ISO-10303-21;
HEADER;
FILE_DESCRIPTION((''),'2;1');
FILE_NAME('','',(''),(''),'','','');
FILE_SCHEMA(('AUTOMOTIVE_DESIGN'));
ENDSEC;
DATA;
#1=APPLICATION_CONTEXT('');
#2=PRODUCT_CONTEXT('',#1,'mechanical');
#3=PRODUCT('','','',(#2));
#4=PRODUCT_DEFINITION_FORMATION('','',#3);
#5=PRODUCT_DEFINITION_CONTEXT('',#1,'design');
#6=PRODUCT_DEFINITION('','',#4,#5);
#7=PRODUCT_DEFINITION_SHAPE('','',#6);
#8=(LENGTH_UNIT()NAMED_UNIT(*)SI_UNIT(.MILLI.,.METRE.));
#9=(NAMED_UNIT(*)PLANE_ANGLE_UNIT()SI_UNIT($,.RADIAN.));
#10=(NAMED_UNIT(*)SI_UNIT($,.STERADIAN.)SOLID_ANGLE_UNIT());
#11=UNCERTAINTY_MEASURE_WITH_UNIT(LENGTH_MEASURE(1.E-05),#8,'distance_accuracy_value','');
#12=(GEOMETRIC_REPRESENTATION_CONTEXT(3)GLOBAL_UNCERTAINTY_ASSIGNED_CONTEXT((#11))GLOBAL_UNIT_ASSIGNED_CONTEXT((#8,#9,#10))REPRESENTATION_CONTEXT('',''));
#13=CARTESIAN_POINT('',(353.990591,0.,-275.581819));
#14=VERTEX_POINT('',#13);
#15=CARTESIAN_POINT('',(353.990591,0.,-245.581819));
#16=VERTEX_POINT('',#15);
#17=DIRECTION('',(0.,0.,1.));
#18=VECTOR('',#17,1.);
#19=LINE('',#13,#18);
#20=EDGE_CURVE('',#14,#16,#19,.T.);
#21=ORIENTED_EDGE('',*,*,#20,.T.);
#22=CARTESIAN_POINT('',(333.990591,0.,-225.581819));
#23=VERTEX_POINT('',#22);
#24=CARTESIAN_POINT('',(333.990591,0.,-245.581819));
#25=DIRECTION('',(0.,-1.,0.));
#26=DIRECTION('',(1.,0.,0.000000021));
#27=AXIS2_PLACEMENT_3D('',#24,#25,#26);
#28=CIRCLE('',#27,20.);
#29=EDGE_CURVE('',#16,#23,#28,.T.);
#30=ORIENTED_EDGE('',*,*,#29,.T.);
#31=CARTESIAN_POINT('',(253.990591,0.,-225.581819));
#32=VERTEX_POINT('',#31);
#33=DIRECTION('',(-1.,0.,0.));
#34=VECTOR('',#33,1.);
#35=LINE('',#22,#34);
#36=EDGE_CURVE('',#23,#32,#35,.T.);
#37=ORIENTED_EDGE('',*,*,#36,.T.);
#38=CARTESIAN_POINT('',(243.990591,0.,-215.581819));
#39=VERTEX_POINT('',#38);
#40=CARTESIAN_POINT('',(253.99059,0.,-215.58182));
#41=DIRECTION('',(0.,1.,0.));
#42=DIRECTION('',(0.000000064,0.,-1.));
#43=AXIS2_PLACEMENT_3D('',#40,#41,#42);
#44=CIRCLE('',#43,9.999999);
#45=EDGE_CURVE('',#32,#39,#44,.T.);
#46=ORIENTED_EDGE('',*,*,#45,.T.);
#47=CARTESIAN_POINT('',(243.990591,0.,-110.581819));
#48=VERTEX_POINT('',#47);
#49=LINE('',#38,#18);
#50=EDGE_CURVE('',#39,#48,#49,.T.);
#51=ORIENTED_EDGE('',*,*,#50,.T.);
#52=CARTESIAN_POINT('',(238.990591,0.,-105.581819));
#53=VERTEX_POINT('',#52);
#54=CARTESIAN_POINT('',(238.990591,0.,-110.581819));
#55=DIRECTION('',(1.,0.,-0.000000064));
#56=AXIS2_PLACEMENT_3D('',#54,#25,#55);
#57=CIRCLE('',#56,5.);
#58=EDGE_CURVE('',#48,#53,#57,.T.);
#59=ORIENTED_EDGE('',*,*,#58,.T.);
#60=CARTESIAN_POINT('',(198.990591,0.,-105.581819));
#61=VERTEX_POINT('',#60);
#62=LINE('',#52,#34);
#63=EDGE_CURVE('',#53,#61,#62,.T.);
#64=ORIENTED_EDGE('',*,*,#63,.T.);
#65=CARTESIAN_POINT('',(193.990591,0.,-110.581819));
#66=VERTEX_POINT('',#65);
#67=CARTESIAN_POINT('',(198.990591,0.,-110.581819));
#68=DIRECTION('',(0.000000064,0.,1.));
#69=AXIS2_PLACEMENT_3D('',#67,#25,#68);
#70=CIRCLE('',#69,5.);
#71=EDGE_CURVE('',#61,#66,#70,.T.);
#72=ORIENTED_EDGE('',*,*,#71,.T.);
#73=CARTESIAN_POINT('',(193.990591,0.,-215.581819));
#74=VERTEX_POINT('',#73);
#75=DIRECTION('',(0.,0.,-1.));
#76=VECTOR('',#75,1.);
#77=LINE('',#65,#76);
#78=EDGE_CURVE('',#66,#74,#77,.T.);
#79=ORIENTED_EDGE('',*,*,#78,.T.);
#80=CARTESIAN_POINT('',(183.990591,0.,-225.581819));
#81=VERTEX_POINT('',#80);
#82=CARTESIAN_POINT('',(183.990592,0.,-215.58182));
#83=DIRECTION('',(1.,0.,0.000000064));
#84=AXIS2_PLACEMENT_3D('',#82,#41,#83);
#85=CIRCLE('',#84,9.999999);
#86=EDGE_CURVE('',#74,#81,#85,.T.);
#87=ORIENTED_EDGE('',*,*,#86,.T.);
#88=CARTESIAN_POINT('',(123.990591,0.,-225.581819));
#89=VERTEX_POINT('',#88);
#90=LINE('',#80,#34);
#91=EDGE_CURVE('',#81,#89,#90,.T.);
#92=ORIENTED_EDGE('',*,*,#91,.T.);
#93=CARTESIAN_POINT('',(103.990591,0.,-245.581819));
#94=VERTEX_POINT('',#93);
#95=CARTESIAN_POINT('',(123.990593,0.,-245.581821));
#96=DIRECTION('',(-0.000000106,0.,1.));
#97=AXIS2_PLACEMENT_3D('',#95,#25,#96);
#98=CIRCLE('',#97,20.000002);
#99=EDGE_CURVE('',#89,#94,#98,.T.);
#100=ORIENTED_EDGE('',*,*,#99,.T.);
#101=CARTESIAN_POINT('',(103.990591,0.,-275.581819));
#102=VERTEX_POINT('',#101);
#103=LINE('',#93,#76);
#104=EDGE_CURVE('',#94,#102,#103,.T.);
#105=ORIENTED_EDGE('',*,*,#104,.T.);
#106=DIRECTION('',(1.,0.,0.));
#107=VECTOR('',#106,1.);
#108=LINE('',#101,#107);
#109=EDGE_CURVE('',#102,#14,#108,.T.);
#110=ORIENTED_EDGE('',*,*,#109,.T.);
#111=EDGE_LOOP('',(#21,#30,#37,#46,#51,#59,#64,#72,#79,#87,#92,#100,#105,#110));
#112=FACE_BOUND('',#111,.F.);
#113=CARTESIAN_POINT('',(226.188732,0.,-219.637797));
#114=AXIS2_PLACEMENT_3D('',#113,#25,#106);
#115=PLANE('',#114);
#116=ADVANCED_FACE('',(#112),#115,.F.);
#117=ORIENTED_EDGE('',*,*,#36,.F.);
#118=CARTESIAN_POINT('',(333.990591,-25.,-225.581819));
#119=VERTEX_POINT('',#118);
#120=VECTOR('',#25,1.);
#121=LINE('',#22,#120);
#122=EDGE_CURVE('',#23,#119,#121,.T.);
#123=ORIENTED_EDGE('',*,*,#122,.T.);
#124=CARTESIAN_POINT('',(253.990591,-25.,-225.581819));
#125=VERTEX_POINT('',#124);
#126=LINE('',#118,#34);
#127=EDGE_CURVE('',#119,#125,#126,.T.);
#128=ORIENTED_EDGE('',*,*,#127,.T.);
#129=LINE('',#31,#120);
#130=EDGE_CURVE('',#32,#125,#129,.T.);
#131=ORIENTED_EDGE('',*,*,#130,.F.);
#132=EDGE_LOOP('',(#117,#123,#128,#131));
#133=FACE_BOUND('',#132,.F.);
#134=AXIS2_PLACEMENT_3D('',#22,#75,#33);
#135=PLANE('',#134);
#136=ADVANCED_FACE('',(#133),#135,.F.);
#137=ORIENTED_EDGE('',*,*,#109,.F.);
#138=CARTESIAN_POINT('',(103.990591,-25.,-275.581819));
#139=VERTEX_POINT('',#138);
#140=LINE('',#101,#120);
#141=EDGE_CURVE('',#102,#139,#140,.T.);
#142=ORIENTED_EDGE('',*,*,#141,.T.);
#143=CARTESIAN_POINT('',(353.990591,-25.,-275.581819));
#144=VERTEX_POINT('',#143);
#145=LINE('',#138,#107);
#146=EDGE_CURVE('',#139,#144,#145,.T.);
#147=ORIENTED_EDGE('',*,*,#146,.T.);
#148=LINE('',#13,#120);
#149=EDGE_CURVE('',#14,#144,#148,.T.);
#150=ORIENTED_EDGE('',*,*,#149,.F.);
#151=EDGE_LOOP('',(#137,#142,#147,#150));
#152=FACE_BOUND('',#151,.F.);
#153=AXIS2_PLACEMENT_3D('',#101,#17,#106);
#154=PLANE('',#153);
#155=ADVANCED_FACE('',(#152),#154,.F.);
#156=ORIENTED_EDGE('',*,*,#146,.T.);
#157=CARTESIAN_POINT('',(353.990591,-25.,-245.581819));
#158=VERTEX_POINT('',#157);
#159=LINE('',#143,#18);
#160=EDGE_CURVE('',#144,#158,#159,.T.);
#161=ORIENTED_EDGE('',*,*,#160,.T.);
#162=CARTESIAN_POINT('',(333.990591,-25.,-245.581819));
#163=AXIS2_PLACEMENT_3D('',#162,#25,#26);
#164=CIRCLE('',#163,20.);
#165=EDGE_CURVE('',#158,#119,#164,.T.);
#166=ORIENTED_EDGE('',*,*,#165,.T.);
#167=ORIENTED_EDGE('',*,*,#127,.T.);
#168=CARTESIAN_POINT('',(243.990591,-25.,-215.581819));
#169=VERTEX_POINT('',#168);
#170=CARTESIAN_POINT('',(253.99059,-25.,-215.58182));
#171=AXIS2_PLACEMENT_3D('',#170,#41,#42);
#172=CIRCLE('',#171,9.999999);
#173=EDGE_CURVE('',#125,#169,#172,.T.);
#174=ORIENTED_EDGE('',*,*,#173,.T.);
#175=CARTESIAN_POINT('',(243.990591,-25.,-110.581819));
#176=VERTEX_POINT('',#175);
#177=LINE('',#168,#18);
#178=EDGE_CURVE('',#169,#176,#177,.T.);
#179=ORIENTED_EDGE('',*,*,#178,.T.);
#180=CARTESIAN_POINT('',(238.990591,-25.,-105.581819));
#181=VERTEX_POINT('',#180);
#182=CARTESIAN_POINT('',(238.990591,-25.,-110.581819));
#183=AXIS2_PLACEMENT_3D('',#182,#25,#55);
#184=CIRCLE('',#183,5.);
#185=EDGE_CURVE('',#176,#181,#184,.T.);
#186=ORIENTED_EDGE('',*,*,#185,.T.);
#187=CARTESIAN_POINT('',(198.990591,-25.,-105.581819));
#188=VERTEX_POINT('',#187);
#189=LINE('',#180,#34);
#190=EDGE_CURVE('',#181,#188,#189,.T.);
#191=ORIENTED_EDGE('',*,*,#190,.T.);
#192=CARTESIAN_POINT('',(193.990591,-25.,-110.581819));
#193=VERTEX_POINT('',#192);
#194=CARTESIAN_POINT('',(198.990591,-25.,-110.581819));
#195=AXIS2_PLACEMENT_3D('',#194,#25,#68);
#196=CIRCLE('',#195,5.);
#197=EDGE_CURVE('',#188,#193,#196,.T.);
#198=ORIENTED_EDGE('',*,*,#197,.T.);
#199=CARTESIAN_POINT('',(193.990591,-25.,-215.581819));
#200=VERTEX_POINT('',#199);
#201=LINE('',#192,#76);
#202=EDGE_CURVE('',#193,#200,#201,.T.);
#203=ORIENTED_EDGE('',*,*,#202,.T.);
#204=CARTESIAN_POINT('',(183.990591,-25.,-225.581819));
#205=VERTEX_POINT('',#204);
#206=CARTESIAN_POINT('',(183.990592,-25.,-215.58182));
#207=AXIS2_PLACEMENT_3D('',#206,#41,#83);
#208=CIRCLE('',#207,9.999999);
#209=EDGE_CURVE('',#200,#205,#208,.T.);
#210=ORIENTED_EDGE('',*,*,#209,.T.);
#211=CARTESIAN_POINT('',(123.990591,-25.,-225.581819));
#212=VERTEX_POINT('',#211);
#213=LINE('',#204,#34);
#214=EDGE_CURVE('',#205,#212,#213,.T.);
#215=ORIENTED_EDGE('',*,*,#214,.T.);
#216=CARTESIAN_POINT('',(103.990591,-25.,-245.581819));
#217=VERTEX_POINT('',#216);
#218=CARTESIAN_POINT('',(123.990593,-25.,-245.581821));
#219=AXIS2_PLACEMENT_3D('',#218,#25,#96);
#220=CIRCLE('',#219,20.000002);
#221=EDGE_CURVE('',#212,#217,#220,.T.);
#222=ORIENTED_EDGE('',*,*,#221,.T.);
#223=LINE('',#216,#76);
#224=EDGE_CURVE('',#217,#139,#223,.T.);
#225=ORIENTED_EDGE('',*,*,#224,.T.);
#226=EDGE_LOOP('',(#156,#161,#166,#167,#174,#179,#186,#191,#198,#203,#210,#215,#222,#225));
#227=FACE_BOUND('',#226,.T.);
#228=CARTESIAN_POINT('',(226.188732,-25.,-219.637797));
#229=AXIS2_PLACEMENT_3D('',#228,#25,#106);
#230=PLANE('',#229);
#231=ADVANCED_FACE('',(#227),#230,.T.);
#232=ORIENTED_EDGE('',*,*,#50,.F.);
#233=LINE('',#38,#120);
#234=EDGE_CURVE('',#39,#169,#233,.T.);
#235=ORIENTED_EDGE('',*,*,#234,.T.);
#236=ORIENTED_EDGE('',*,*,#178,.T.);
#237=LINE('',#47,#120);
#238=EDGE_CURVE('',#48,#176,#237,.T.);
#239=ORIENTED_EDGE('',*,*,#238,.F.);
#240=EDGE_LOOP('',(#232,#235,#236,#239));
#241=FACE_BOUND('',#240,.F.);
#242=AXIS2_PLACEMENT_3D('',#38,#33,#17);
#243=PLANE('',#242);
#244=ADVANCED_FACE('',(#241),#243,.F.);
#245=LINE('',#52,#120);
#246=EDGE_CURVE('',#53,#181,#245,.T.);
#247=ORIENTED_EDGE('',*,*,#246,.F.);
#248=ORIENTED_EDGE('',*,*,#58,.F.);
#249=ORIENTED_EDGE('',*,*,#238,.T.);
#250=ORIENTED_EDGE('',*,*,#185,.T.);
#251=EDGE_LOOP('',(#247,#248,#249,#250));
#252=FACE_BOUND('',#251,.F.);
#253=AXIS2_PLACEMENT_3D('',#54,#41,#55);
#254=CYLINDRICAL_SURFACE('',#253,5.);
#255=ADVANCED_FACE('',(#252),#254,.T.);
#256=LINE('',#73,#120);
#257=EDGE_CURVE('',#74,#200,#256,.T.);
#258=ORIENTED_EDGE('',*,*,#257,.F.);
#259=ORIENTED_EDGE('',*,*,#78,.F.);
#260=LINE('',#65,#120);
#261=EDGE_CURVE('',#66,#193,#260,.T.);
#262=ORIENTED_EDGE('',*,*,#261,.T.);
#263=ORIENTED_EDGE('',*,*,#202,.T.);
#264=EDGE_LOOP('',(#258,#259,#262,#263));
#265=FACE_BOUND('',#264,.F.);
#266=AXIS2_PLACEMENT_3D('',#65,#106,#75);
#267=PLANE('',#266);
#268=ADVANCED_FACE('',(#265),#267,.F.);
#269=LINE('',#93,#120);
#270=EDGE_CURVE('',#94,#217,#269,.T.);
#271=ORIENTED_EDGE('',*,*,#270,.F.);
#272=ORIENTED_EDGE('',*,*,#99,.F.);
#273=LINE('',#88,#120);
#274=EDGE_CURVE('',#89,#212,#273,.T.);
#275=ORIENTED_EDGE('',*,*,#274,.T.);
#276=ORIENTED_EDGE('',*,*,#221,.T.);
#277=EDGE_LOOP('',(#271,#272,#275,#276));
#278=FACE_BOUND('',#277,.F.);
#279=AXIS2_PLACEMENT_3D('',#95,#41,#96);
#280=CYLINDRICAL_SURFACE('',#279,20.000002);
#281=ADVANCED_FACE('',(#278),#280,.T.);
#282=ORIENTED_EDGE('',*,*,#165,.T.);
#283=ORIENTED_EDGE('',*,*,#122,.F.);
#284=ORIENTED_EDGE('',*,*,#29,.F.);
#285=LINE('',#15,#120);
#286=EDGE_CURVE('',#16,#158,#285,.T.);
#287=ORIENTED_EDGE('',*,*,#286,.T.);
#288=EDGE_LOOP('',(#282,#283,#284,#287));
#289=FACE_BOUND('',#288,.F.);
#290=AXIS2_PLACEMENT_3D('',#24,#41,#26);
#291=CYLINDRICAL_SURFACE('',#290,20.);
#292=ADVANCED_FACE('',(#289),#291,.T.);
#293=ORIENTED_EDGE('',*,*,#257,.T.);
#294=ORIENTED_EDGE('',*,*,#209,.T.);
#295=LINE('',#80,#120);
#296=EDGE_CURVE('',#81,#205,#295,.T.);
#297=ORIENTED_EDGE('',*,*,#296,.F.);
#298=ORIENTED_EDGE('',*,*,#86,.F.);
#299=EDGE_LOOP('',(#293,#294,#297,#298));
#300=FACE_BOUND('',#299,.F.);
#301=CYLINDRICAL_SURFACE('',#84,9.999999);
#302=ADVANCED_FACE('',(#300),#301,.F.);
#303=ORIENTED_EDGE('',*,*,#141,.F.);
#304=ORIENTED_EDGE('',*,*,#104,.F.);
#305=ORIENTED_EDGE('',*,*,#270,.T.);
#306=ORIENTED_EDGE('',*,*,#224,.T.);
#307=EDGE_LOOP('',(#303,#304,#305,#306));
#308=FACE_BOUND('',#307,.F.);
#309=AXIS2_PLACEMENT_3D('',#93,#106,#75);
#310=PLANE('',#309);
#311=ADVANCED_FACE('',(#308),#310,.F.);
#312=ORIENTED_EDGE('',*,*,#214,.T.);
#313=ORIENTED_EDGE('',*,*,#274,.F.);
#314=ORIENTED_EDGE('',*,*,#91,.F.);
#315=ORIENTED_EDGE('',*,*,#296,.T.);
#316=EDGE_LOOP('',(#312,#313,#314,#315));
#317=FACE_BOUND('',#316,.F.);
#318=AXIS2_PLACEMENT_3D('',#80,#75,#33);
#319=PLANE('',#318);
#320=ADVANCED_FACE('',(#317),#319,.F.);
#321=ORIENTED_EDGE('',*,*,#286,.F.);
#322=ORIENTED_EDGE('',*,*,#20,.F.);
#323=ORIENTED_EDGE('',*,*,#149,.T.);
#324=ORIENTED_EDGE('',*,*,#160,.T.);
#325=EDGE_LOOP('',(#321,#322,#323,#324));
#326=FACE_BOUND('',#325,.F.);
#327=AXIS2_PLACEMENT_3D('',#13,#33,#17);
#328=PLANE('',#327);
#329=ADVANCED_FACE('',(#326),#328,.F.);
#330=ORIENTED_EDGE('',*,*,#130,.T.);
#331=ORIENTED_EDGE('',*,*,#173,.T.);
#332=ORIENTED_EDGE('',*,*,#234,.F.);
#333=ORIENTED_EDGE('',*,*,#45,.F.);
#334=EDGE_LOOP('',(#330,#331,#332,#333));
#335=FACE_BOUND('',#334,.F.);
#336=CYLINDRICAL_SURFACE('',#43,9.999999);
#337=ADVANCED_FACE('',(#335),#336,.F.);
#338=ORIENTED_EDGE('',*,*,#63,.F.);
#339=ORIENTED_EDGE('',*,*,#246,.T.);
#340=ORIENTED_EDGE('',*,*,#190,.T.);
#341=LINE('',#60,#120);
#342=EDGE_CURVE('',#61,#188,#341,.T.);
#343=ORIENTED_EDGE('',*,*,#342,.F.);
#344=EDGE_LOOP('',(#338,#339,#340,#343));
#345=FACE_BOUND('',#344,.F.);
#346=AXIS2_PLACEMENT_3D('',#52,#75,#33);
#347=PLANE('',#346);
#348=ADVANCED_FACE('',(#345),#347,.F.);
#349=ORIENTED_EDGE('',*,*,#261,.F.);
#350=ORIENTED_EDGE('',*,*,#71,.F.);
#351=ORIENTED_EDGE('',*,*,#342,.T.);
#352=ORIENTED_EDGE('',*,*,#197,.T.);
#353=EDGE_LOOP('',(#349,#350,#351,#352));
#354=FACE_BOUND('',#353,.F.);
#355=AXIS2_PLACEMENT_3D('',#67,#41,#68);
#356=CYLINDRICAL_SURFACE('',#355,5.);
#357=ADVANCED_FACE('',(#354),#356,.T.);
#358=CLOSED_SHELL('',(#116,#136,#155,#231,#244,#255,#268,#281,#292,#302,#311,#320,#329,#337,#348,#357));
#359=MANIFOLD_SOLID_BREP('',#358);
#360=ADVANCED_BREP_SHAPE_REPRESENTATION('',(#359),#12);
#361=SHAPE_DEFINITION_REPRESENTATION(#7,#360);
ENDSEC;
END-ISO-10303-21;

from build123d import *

# Parameters (mm, degrees)
F1_DEPTH = 25


with BuildPart() as f1:
    # F0 (on Front) → F1 (new body)
    with BuildSketch(Plane.XZ):
        with BuildLine():
            Line((103.990591, -245.581819), (103.990591, -275.581819))
            Line((103.990591, -275.581819), (353.990591, -275.581819))
            Line((353.990591, -275.581819), (353.990591, -245.581819))
            ThreePointArc((353.990591, -245.581819), (348.132727, -231.439684), (333.990591, -225.581819))
            Line((333.990591, -225.581819), (253.990591, -225.581819))
            ThreePointArc((253.990591, -225.581819), (246.919523, -222.652887), (243.990591, -215.581819))
            Line((243.990591, -215.581819), (243.990591, -110.581819))
            ThreePointArc((243.990591, -110.581819), (242.526125, -107.046285), (238.990591, -105.581819))
            Line((238.990591, -105.581819), (198.990591, -105.581819))
            ThreePointArc((198.990591, -105.581819), (195.455057, -107.046285), (193.990591, -110.581819))
            Line((193.990591, -110.581819), (193.990591, -215.581819))
            ThreePointArc((193.990591, -215.581819), (191.061659, -222.652887), (183.990591, -225.581819))
            Line((183.990591, -225.581819), (123.990591, -225.581819))
            ThreePointArc((123.990591, -225.581819), (109.848456, -231.439684), (103.990591, -245.581819))
        make_face()
    extrude(amount=F1_DEPTH)


solid = f1.part
